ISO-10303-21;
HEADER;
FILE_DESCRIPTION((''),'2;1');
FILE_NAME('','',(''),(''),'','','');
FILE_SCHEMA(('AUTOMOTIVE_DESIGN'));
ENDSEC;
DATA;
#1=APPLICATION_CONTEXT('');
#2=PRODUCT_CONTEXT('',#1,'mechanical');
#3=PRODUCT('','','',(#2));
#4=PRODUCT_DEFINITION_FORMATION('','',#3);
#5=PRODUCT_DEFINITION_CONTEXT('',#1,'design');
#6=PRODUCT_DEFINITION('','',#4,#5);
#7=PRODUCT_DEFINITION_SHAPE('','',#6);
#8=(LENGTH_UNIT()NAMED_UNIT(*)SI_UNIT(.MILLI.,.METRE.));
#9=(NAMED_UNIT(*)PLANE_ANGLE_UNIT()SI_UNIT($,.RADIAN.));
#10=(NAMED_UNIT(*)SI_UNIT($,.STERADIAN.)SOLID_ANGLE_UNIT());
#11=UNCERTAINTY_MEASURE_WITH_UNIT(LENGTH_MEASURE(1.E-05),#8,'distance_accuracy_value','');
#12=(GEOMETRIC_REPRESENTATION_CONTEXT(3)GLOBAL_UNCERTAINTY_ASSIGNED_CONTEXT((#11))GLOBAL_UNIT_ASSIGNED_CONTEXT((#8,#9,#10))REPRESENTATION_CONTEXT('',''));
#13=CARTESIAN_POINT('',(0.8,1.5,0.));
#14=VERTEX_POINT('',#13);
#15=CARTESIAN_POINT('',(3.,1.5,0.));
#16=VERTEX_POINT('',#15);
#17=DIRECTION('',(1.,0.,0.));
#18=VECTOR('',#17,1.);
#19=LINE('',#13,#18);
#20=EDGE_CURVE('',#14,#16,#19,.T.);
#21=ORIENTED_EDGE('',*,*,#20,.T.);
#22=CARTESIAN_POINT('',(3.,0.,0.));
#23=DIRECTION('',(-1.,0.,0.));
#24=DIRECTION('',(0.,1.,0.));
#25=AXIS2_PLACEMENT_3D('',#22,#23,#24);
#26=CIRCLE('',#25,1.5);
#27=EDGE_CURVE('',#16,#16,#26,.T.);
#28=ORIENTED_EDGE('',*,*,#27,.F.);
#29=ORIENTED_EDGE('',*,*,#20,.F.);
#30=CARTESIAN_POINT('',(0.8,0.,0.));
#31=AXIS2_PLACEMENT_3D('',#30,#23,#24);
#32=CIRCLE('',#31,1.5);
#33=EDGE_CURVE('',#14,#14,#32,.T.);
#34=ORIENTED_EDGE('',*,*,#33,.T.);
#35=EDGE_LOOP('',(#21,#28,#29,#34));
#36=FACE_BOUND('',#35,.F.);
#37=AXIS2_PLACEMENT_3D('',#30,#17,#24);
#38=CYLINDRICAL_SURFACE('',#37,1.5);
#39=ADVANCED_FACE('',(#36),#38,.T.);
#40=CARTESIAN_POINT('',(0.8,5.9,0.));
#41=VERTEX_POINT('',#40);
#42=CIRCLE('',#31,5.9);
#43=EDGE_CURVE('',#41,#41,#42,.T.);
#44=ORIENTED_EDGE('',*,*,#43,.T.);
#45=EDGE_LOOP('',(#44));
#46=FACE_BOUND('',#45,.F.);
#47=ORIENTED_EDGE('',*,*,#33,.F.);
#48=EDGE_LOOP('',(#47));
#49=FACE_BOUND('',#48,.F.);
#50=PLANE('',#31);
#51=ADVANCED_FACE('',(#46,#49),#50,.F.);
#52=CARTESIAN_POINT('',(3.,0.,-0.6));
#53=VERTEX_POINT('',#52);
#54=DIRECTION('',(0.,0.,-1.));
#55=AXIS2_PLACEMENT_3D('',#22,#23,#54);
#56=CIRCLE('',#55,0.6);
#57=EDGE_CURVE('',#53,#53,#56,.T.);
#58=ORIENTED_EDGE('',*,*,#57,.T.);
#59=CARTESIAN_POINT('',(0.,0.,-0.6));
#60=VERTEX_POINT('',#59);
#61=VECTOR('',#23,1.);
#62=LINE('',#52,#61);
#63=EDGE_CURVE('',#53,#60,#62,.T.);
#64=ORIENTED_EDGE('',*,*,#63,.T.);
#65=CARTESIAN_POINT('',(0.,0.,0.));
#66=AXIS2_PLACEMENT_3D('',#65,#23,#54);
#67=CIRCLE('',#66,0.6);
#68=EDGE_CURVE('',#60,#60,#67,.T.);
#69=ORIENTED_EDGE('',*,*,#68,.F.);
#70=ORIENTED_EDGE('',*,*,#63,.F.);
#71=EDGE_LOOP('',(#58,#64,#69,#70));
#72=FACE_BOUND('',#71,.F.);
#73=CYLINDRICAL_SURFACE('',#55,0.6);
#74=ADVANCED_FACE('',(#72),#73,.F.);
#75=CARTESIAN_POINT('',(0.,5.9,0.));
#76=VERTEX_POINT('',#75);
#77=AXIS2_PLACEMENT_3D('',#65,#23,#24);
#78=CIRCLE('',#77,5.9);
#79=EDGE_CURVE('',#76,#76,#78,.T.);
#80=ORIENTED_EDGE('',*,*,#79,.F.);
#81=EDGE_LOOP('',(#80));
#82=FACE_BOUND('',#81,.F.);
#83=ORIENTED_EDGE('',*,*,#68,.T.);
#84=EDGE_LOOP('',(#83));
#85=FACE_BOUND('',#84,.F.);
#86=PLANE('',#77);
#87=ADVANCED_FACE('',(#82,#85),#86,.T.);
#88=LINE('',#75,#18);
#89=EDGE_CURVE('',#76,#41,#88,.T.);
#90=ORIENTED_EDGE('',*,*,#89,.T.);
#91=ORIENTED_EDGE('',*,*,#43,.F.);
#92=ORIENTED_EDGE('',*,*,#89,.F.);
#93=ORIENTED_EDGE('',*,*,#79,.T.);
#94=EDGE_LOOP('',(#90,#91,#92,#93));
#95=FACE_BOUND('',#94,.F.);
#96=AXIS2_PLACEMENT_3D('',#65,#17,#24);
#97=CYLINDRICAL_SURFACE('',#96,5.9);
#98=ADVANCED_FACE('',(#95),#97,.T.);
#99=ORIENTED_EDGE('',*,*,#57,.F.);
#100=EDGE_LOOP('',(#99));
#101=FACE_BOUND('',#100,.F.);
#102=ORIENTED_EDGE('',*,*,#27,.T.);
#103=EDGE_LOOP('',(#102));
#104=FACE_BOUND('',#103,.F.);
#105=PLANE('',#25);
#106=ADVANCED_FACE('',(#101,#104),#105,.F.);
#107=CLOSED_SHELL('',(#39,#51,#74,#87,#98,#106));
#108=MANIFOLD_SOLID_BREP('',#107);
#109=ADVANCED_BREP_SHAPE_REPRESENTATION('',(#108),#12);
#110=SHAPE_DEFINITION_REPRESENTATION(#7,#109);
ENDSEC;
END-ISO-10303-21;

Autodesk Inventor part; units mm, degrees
ref_plane "YZ Plane" through (0, 0, 0) normal (1, 0, 0) x (0, 1, 0)
ref_plane "XZ Plane" through (0, 0, 0) normal (0, 1, 0) x (-1, 0, 0)
ref_plane "XY Plane" through (0, 0, 0) normal (0, 0, 1) x (1, 0, 0)
sketch "Sketch1" plane through (0, 0, 0) normal (0, 0, 1) x (1, 0, 0)
  line L0 (0, 0) -> (0, 5.9)
  line L1 (0, 5.9) -> (0.8, 5.9)
  line L2 (0.8, 5.9) -> (0.8, 1.5)
  line L3 (0.8, 1.5) -> (3, 1.5)
  line L4 (3, 1.5) -> (3, 0)
  line L5 (3, 0) -> (0, 0)
  dimension "d0" = 0.8
  dimension "d1" = 3
  dimension "d2" = 11.8
  dimension "d3" = 3
revolve "Revolution1" add sketch "Sketch1" angle 360 about axis through (3, 0, 0) along (-1, 0, 0)
hole "Hole1" at (3, 0, 0) direction (-1, 0, 0) diameter 1.2 end through all
properties part number "Hitec HS-225MG gear 2"
